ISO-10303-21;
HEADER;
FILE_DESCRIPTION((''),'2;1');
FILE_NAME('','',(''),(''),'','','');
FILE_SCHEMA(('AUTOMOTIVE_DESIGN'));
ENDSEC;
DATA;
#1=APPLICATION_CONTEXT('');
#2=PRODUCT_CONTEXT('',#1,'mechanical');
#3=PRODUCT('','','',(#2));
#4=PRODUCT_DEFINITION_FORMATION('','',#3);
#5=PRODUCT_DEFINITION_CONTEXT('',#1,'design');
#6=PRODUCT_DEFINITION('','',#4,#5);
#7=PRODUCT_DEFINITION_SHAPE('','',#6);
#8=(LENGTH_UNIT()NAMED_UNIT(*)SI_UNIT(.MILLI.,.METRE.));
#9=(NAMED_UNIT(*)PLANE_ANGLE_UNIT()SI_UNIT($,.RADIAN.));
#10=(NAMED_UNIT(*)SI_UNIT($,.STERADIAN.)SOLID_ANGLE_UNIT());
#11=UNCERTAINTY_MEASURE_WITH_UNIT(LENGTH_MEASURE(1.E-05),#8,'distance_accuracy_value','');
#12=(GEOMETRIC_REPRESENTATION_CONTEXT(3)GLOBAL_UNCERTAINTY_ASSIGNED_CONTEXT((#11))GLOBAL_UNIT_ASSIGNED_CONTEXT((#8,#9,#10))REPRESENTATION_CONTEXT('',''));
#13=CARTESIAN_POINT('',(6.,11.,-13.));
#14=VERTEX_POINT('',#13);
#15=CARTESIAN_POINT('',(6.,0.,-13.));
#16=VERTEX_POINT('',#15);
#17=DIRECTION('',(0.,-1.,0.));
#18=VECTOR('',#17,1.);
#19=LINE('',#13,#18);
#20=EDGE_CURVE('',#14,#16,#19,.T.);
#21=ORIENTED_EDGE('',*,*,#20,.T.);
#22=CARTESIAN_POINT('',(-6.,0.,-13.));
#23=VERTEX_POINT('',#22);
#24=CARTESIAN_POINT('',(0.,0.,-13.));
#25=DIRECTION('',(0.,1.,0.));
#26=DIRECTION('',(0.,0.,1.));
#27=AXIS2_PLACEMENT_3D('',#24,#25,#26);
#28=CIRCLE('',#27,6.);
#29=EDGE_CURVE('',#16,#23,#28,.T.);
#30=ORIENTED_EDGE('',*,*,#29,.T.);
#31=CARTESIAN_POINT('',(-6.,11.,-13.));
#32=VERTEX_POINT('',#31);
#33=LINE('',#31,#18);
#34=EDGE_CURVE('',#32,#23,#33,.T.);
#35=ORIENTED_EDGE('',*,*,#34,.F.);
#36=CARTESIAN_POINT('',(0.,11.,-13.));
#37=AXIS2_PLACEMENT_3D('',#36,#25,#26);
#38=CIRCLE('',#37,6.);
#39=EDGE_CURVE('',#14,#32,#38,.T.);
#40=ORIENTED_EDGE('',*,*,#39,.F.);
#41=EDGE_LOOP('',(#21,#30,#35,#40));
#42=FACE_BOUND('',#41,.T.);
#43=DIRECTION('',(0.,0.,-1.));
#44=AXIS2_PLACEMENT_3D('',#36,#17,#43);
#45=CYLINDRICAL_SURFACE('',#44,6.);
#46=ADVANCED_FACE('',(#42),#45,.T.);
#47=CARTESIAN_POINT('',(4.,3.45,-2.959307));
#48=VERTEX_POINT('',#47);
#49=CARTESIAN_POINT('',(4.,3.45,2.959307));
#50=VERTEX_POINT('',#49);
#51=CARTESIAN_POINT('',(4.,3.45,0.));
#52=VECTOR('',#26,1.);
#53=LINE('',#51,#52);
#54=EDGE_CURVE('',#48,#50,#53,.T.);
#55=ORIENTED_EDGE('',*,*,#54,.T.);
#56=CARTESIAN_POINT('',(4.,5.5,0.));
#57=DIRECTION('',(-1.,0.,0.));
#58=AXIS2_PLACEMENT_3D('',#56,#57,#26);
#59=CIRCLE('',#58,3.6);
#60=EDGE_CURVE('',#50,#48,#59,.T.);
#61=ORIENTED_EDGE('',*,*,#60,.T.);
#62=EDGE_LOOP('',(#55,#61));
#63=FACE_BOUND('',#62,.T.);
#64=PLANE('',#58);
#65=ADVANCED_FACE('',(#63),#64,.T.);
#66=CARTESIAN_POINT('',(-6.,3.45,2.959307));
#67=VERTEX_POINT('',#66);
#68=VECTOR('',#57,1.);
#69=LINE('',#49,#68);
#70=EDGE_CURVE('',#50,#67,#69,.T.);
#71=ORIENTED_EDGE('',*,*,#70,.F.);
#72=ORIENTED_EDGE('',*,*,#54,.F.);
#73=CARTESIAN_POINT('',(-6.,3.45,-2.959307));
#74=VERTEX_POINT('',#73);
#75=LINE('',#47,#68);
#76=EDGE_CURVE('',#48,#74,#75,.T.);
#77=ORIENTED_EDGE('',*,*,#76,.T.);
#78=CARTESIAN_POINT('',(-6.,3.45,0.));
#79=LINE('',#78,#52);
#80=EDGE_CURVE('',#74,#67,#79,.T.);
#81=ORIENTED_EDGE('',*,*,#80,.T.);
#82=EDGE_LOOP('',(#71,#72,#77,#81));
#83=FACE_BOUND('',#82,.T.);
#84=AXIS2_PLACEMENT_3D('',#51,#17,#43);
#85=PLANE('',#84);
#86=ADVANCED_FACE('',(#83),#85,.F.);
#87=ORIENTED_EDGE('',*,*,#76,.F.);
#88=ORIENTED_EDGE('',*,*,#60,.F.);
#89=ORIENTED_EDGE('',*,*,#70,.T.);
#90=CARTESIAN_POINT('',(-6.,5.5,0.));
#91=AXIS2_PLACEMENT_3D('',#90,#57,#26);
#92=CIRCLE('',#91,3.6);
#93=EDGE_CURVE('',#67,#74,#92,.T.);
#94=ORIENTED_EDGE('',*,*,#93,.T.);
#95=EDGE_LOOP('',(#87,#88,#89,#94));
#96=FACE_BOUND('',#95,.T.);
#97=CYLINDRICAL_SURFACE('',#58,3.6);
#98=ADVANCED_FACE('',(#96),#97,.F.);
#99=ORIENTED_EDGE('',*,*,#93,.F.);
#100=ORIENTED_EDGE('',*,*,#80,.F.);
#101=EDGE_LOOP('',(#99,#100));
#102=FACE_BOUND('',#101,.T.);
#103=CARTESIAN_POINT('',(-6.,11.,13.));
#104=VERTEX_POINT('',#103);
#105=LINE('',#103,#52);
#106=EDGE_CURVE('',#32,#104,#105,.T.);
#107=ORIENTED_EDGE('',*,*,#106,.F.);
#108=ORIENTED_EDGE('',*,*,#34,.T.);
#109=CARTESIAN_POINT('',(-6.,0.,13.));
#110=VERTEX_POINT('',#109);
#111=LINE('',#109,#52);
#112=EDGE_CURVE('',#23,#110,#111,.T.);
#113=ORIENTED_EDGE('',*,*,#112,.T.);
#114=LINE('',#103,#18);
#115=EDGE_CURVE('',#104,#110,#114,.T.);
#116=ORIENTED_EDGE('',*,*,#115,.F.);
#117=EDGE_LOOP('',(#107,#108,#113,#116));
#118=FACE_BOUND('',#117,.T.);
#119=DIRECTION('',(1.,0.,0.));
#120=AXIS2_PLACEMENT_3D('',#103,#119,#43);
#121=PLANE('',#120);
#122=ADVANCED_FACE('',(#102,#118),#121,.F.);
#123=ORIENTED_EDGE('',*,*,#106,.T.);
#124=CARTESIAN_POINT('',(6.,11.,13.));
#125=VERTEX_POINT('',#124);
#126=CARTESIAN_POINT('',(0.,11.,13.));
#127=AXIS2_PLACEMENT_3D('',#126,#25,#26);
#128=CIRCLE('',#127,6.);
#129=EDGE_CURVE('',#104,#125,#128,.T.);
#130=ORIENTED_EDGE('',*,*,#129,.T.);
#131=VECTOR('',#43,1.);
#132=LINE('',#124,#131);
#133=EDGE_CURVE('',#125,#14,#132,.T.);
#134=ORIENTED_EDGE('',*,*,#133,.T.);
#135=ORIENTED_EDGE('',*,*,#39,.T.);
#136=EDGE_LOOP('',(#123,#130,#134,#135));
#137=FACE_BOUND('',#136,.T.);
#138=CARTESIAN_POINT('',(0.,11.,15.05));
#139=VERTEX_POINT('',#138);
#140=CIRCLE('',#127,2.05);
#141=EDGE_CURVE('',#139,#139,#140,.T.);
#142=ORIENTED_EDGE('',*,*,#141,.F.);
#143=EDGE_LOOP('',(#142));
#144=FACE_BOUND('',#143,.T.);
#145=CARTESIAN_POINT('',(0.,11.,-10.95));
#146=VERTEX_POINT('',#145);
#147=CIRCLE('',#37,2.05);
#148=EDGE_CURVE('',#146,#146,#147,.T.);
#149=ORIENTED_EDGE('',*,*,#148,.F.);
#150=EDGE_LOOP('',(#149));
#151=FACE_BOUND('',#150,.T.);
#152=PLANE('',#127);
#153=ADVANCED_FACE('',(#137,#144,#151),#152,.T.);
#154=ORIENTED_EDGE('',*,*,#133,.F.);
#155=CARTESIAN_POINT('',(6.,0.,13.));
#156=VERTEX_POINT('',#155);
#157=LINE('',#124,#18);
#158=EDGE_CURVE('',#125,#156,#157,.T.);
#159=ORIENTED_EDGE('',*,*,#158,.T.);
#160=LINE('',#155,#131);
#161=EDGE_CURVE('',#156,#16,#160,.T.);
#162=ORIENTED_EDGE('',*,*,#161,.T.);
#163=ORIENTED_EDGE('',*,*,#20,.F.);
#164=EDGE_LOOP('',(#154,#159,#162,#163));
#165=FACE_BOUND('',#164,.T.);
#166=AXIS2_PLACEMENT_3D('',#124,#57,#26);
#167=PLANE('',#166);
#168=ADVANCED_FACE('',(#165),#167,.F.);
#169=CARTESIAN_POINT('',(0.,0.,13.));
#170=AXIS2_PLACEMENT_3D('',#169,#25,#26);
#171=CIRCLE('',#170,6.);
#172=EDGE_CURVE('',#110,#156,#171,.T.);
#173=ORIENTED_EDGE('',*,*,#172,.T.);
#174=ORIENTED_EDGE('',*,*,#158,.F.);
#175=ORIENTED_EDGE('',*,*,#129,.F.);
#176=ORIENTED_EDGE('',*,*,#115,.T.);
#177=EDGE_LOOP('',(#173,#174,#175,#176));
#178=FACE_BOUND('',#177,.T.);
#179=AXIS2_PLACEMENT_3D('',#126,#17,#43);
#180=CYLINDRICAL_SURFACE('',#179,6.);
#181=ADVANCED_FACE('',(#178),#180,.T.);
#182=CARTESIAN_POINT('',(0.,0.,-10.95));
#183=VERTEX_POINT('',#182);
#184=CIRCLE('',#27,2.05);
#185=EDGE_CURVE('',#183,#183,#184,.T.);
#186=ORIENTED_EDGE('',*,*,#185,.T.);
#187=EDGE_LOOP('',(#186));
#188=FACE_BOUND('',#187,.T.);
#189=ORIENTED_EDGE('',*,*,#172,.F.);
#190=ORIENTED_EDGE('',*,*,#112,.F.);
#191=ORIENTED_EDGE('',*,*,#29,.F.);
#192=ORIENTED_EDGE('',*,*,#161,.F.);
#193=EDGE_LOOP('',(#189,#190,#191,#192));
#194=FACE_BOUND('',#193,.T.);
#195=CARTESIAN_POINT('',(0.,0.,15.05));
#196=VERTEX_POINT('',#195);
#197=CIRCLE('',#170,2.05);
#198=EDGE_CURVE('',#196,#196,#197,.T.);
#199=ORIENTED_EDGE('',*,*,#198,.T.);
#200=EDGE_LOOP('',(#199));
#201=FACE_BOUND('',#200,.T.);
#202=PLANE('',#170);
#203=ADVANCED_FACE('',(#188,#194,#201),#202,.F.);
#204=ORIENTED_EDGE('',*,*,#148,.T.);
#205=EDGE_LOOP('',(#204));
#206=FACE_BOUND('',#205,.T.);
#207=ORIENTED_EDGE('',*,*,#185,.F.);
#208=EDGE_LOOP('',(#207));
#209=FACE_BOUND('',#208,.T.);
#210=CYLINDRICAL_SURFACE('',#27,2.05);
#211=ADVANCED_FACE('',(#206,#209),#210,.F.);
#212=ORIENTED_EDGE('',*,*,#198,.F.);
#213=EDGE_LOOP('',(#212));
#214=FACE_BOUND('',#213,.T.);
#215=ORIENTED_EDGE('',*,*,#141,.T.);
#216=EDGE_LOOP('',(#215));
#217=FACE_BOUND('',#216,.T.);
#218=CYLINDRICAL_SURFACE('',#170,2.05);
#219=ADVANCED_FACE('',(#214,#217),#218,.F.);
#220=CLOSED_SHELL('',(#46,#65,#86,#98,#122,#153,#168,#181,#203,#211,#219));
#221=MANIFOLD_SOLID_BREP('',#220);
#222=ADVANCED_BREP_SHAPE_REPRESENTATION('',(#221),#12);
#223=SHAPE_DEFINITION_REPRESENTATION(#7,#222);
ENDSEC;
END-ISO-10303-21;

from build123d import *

# Parameters (mm, degrees)
EXTRUDE_1_DEPTH     = 11
SKETCH_2_R          = 2.05
CUT_EXTRUDE_1_DEPTH = 12
SKETCH_3_R          = 3.6
CUT_EXTRUDE_2_DEPTH = 10
EXTRUDE_3_DEPTH     = 10


with BuildPart() as part:
    # 草图1 → 凸台-拉伸1 (new body)
    with BuildSketch(Plane(origin=(0, 0, 0), x_dir=(1, 0, 0), z_dir=(0, 1, 0))):
        with BuildLine():
            Line((-6, -13), (-6, 13))
            ThreePointArc((-6, 13), (0, 19), (6, 13))
            Line((6, 13), (6, -13))
            ThreePointArc((6, -13), (0, -19), (-6, -13))
        make_face()
    extrude(amount=EXTRUDE_1_DEPTH)

    # 草图2 → 切除-拉伸1 (cut, through all)
    with BuildSketch(Plane(origin=(0, 11, 0), x_dir=(1, 0, 0), z_dir=(0, 1, 0))):
        with Locations((0, 13)):
            Circle(SKETCH_2_R)
        with Locations((0, -13)):
            Circle(SKETCH_2_R)
    extrude(amount=-CUT_EXTRUDE_1_DEPTH, mode=Mode.SUBTRACT)

    # 草图3 → 切除-拉伸2 (cut)
    with BuildSketch(Plane.ZY.offset(6)):
        with Locations((0, 5.5)):
            Circle(SKETCH_3_R)
    extrude(amount=-CUT_EXTRUDE_2_DEPTH, mode=Mode.SUBTRACT)

    # 草图4 → 凸台-拉伸3 (add)
    with BuildSketch(Plane.ZY.offset(6)):
        with BuildLine():
            Line((2.959307351, 3.45), (-2.959307351, 3.45))
            ThreePointArc((-2.959307351, 3.45), (0, 1.9), (2.959307351, 3.45))
        make_face()
    extrude(amount=-EXTRUDE_3_DEPTH)


solid = part.part
